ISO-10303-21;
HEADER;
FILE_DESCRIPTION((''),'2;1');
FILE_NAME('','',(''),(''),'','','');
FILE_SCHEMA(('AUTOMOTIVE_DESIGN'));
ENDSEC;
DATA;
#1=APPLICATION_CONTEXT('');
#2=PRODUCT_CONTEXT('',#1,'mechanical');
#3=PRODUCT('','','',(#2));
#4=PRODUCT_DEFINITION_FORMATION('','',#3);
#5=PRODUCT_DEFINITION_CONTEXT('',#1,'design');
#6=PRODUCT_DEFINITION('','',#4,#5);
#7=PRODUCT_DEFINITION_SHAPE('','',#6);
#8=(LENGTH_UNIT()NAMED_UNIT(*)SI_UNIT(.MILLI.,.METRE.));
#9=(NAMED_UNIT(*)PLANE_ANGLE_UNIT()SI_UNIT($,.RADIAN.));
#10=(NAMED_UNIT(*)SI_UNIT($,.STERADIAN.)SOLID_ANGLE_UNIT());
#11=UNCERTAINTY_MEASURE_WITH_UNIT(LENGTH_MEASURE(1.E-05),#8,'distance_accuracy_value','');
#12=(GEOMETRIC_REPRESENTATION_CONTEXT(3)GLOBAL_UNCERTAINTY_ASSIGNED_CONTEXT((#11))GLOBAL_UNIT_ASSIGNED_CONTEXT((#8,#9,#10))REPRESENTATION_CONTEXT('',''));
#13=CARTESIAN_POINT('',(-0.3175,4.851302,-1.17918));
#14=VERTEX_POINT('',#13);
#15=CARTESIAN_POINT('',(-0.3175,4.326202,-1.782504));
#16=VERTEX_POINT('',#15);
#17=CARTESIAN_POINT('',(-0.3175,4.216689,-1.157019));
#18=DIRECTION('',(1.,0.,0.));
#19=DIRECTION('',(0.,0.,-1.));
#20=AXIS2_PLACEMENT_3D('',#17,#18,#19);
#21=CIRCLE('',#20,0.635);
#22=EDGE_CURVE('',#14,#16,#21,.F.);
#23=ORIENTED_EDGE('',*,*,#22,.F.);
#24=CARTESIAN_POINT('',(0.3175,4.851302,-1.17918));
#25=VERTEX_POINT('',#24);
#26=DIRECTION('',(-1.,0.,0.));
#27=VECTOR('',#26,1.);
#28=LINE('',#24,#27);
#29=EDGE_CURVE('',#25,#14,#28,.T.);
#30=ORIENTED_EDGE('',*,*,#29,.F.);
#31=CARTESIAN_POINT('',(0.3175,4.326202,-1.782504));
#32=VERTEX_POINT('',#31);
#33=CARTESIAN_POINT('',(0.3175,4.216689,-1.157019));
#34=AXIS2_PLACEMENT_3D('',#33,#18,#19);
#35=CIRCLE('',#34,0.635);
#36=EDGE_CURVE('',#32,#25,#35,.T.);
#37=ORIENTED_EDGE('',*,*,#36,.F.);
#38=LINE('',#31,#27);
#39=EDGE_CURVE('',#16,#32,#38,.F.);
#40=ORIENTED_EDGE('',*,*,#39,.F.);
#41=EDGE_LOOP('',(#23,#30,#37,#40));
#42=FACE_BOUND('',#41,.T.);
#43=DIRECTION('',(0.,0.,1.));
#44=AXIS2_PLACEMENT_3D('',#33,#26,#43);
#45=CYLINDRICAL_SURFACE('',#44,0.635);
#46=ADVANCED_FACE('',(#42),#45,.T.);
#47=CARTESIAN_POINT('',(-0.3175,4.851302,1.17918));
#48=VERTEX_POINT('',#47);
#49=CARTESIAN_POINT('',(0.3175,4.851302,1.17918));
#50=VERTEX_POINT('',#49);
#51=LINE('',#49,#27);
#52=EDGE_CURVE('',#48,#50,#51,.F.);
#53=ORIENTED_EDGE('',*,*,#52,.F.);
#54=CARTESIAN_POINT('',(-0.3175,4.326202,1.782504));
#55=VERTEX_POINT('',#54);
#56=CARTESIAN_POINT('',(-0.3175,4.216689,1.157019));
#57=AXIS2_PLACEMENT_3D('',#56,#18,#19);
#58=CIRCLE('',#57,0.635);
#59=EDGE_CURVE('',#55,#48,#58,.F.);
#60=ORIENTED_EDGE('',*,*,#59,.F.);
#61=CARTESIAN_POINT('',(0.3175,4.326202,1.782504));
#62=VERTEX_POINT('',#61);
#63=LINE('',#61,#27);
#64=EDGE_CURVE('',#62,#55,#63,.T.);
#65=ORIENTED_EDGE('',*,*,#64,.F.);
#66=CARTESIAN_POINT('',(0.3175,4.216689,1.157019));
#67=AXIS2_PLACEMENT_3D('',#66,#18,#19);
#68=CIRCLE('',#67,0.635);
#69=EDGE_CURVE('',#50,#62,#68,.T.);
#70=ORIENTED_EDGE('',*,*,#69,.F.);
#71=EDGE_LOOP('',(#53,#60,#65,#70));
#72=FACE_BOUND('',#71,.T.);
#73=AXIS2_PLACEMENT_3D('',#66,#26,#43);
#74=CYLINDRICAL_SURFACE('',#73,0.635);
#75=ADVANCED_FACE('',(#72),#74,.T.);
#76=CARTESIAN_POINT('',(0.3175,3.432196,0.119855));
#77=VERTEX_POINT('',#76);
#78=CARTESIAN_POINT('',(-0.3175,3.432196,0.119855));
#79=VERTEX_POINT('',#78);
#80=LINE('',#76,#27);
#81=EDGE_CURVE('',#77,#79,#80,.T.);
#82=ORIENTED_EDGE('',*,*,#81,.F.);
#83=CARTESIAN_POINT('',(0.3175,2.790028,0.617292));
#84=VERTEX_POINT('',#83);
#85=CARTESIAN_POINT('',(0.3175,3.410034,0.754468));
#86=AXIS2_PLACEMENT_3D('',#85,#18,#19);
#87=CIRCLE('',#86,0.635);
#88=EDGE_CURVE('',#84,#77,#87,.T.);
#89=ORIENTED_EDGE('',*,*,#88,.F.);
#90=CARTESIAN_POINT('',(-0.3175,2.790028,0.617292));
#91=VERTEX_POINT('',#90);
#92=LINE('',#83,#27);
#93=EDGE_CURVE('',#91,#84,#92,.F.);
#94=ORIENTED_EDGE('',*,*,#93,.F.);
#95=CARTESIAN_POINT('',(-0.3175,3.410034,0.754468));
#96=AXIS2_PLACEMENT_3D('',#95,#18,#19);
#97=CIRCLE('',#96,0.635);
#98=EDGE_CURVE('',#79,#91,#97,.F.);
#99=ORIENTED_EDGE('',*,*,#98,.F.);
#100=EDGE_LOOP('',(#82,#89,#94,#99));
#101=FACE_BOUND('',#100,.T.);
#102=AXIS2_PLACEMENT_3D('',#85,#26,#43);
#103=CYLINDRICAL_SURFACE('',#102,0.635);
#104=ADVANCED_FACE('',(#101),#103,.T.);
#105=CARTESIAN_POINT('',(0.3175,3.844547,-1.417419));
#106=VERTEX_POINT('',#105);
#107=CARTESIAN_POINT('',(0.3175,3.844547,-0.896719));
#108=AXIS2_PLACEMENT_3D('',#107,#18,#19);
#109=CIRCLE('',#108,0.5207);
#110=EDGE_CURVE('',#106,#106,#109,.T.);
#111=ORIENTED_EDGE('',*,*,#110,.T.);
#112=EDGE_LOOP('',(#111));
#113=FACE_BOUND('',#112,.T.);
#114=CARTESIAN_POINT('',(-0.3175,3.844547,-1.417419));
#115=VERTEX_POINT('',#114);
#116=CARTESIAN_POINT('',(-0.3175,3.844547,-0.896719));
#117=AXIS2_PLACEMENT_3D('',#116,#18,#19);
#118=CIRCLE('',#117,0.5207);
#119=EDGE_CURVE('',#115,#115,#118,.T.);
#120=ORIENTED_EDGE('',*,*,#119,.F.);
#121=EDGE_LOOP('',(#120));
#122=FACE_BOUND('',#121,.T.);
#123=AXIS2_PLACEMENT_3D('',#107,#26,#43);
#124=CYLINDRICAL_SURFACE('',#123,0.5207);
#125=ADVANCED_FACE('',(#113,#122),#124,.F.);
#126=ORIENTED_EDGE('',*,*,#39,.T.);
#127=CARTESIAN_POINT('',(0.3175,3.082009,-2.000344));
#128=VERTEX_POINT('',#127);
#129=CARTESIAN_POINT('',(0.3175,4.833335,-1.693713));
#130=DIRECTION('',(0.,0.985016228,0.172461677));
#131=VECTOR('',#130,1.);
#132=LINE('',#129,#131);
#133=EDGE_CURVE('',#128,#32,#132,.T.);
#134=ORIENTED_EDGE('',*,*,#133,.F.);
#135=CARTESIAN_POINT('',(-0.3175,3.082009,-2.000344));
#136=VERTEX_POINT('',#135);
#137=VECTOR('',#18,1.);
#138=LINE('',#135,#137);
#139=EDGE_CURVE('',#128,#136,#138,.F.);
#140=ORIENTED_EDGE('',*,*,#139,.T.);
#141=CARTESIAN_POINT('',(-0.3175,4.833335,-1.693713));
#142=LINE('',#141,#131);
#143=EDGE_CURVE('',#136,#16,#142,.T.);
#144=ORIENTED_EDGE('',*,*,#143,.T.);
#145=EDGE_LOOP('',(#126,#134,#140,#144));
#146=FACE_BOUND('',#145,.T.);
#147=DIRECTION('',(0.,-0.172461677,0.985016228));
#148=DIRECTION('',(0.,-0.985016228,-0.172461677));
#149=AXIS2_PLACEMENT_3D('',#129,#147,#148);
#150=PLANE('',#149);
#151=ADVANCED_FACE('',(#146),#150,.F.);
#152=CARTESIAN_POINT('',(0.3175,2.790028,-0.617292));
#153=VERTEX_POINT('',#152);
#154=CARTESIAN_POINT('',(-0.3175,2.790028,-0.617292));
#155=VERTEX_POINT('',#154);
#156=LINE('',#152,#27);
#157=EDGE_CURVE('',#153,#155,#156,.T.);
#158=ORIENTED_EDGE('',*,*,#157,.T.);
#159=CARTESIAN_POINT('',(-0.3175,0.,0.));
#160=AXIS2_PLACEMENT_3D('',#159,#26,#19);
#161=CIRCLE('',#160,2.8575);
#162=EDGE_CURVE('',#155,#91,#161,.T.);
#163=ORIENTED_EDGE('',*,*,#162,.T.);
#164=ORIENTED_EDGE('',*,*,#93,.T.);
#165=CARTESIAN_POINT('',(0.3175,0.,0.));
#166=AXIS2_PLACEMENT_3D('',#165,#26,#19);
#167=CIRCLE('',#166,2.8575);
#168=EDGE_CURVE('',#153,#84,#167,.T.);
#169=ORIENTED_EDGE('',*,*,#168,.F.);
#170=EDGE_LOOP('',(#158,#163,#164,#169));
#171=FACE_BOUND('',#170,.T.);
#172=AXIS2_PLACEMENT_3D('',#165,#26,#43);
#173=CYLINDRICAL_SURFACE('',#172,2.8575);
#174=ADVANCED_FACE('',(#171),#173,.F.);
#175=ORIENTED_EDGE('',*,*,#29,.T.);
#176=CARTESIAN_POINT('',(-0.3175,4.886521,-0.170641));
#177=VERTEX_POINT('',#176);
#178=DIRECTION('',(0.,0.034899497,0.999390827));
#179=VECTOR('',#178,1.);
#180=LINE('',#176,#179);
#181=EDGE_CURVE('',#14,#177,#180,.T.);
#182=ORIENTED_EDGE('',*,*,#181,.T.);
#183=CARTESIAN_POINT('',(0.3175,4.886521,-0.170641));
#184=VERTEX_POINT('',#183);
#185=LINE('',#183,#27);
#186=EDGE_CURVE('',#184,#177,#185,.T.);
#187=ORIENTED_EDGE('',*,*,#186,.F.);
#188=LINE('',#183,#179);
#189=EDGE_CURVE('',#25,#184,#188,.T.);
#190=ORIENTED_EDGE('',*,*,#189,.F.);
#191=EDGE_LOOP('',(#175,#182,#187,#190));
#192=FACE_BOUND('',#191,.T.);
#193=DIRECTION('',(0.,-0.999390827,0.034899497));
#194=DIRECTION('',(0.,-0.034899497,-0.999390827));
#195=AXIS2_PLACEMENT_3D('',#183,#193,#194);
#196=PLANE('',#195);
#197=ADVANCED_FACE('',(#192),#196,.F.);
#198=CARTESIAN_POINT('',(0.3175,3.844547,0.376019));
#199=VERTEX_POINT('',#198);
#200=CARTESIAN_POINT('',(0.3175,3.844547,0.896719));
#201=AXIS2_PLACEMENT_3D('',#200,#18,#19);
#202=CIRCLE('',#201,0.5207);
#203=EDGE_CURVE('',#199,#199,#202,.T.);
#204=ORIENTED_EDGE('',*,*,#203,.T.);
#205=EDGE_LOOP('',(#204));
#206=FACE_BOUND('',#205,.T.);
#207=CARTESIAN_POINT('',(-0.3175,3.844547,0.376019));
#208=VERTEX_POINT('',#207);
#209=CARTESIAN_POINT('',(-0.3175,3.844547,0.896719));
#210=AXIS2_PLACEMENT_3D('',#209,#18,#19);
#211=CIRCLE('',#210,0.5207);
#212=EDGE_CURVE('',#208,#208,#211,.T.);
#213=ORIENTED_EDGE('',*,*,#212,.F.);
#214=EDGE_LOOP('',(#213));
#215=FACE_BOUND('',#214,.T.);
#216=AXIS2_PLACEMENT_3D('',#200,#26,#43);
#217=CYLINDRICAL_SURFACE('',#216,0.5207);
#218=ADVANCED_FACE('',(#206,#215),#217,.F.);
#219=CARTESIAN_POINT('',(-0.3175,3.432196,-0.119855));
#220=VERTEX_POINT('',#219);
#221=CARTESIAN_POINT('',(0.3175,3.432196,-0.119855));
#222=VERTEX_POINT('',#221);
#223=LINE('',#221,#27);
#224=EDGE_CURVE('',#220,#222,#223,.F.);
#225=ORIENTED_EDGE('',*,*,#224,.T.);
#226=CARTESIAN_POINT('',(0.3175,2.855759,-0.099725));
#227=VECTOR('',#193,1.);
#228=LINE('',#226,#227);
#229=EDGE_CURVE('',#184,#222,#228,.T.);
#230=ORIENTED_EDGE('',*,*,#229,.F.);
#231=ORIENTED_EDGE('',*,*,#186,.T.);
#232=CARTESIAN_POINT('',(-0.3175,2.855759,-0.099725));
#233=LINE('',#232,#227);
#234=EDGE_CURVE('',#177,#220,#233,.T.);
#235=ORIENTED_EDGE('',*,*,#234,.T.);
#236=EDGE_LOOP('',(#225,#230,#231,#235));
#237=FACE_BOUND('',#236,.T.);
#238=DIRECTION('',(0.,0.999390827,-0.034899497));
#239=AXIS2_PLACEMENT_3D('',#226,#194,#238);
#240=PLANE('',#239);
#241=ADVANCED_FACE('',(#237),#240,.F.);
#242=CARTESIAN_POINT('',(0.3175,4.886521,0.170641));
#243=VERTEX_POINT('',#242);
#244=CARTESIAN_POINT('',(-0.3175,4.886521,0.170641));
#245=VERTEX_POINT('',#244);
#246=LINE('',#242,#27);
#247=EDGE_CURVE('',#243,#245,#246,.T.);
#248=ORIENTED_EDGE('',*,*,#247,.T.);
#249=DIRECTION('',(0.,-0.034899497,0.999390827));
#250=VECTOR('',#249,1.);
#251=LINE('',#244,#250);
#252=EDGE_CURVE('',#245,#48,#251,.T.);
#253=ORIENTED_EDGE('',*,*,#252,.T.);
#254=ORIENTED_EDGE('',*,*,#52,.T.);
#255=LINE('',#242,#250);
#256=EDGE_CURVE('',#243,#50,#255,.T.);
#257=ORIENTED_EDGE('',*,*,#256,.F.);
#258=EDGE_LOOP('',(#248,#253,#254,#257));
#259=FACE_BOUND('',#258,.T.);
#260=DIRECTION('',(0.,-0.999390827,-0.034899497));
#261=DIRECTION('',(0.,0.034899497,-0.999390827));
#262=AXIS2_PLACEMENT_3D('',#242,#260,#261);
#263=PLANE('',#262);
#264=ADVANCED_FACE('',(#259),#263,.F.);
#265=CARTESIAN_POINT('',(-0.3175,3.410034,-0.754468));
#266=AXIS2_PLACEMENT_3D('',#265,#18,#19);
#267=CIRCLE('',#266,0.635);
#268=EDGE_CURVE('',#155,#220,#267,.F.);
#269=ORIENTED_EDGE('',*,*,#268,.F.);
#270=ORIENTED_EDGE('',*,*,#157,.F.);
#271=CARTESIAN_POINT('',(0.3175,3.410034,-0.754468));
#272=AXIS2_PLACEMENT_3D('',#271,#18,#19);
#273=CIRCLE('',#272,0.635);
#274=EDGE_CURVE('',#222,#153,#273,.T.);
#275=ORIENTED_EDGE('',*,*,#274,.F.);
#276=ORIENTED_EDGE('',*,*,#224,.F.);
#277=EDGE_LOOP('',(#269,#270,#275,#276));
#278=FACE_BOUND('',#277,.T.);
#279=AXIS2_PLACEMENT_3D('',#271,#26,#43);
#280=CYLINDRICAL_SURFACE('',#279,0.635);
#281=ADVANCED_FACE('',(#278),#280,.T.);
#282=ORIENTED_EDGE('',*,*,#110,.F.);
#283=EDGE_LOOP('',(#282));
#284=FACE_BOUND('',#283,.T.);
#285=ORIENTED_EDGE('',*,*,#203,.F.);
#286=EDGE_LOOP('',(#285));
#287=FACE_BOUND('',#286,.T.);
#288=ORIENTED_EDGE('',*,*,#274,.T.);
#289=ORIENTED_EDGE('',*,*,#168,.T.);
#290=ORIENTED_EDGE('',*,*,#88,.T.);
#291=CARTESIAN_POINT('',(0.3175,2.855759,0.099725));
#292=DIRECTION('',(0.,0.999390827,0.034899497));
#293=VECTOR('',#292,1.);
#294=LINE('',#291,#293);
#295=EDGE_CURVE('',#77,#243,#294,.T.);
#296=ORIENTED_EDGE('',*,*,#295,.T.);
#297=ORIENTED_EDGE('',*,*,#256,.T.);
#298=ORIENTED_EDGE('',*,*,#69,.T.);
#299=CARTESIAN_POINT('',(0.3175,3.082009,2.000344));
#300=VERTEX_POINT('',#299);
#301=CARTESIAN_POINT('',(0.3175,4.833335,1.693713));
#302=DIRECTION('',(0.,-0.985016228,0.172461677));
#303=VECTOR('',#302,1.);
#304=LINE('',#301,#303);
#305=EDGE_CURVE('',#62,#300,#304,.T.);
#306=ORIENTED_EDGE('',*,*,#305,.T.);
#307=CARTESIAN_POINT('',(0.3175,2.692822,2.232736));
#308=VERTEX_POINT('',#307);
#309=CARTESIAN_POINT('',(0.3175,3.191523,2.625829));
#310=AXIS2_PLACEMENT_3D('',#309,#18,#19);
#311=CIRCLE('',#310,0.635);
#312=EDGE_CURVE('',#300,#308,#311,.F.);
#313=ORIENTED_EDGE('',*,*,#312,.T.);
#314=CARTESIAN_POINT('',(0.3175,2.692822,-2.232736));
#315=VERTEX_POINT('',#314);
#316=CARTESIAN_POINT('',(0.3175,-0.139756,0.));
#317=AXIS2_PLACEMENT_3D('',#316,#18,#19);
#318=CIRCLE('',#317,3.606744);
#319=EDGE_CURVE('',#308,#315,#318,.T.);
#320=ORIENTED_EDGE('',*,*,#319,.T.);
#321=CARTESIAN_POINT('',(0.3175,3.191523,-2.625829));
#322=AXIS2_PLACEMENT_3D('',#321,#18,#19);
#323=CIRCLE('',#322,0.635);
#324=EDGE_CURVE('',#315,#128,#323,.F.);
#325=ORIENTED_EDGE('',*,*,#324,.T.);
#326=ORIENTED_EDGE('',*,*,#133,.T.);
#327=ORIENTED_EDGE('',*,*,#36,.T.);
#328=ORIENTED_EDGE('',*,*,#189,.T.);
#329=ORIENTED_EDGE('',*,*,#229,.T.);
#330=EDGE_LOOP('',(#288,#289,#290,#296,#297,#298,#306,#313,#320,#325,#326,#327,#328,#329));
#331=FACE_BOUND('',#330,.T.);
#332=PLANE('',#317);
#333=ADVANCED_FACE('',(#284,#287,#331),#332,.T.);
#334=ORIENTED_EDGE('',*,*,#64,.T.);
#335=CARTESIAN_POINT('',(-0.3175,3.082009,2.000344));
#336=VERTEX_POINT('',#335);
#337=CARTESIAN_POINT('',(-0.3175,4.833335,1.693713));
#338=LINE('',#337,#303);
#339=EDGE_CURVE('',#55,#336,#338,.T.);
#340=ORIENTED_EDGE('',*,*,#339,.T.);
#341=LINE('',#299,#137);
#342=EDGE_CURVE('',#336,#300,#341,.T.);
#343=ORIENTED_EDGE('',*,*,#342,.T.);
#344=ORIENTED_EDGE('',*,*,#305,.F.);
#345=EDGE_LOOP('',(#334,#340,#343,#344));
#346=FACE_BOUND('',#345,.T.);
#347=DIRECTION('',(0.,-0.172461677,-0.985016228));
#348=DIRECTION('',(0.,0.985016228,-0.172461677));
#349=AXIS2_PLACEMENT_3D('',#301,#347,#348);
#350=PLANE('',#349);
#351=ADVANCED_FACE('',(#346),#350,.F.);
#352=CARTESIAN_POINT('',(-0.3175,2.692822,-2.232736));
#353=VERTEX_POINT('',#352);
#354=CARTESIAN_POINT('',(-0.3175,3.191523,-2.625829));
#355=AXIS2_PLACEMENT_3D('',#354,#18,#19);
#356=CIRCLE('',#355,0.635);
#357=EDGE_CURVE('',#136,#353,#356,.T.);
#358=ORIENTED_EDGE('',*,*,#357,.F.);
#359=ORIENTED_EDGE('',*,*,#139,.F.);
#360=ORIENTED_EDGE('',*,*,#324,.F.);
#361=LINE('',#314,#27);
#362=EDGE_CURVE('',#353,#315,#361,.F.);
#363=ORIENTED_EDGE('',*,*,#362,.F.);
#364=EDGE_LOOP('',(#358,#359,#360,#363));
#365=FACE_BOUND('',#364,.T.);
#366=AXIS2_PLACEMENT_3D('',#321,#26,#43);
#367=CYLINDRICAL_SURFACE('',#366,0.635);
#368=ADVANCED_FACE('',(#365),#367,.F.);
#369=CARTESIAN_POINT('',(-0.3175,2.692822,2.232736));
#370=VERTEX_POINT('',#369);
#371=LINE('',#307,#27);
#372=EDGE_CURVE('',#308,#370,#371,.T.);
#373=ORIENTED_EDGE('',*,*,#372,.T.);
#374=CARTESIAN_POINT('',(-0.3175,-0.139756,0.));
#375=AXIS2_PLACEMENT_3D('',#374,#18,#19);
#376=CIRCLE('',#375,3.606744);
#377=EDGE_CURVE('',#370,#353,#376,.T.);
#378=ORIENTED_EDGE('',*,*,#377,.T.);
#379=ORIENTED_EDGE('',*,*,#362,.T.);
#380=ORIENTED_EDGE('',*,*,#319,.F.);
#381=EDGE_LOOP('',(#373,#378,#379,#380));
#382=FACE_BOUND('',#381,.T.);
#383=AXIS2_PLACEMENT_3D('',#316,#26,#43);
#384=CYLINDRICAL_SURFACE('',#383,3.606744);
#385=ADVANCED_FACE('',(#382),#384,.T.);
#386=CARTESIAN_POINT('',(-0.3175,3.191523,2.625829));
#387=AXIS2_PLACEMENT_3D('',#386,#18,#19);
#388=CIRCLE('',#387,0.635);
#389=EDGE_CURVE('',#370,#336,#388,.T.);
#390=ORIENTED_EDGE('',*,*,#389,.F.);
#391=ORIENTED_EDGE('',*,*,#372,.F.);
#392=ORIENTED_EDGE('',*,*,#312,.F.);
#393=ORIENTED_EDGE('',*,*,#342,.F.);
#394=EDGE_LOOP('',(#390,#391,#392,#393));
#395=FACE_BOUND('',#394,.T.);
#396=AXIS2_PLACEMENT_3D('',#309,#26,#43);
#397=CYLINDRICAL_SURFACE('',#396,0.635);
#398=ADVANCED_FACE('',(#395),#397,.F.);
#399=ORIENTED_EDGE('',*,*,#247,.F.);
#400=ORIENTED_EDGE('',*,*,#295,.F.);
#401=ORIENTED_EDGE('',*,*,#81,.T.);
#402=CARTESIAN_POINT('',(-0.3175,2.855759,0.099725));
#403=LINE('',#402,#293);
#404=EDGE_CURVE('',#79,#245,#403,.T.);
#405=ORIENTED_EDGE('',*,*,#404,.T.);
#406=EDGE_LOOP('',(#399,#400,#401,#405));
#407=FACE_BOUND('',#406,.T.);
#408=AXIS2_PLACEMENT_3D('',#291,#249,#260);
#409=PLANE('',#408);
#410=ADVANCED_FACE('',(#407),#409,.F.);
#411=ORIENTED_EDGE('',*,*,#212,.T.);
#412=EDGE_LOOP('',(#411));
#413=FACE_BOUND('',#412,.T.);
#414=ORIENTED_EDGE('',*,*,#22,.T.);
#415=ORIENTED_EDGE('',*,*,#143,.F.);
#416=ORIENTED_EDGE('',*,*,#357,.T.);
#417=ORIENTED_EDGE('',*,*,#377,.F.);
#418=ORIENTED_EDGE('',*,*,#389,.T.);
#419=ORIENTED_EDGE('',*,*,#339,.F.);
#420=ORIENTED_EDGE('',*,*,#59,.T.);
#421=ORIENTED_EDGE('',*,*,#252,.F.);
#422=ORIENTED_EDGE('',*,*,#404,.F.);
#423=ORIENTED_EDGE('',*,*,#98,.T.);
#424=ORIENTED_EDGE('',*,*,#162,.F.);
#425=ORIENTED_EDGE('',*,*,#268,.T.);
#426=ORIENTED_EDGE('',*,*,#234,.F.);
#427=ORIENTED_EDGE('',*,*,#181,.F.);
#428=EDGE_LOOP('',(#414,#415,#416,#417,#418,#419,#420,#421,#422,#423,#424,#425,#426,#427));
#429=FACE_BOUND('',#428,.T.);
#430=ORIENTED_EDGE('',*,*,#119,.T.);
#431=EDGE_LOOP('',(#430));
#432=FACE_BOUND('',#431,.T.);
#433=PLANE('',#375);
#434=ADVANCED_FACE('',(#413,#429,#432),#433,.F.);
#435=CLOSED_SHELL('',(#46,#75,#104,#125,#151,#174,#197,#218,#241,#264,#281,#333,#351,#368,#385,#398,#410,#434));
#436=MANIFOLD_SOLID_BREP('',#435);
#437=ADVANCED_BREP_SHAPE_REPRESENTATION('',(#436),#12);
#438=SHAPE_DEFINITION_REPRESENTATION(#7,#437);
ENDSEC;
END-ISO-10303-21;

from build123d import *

# Parameters (mm, degrees)
BOSS_EXTRUDE1_DEPTH      = 0.3175
BOSS_EXTRUDE1_DEPTH_BACK = 0.3175
SKETCH3_R                = 0.5207
FILLET1_R                = 0.635


with BuildPart() as part:
    # Sketch3 → Boss-Extrude1 (new, two sides: drawn at the far end of the back side and taken through both)
    with BuildSketch(Plane(origin=(0, 0, 0), x_dir=(0, 0, -1), z_dir=(1, 0, 0)).offset(-BOSS_EXTRUDE1_DEPTH_BACK)):
        with BuildLine():
            Line((-1.69371271, 4.833334616), (-2.044154836, 2.83178164))
            ThreePointArc((-2.044154836, 2.83178164), (0, -3.7465), (2.044154836, 2.83178164))
            Line((2.044154836, 2.83178164), (1.69371271, 4.833334616))
            Line((1.69371271, 4.833334616), (0.170641089, 4.886521449))
            Line((0.170641089, 4.886521449), (0.099725312, 2.855759288))
            ThreePointArc((0.099725312, 2.855759288), (0, -2.8575), (-0.099725312, 2.855759288))
            Line((-0.099725312, 2.855759288), (-0.170641089, 4.886521449))
            Line((-0.170641089, 4.886521449), (-1.69371271, 4.833334616))
        make_face()
        with Locations((-0.896719011, 3.844546952)):
            Circle(SKETCH3_R, mode=Mode.SUBTRACT)
        with Locations((0.896719011, 3.844546952)):
            Circle(SKETCH3_R, mode=Mode.SUBTRACT)
    extrude(amount=BOSS_EXTRUDE1_DEPTH + BOSS_EXTRUDE1_DEPTH_BACK)

    # Fillet1
    fillet1_edges = [part.edges().sort_by_distance(p)[0] for p in [
        (0, 2.83178164, 2.044154836),
        (0, 4.833334616, 1.69371271),
        (0, 2.855759288, 0.099725312),
        (0, 2.855759288, -0.099725312),
        (0, 4.833334616, -1.69371271),
        (0, 2.83178164, -2.044154836),
    ]]
    fillet(fillet1_edges, radius=FILLET1_R)


solid = part.part
